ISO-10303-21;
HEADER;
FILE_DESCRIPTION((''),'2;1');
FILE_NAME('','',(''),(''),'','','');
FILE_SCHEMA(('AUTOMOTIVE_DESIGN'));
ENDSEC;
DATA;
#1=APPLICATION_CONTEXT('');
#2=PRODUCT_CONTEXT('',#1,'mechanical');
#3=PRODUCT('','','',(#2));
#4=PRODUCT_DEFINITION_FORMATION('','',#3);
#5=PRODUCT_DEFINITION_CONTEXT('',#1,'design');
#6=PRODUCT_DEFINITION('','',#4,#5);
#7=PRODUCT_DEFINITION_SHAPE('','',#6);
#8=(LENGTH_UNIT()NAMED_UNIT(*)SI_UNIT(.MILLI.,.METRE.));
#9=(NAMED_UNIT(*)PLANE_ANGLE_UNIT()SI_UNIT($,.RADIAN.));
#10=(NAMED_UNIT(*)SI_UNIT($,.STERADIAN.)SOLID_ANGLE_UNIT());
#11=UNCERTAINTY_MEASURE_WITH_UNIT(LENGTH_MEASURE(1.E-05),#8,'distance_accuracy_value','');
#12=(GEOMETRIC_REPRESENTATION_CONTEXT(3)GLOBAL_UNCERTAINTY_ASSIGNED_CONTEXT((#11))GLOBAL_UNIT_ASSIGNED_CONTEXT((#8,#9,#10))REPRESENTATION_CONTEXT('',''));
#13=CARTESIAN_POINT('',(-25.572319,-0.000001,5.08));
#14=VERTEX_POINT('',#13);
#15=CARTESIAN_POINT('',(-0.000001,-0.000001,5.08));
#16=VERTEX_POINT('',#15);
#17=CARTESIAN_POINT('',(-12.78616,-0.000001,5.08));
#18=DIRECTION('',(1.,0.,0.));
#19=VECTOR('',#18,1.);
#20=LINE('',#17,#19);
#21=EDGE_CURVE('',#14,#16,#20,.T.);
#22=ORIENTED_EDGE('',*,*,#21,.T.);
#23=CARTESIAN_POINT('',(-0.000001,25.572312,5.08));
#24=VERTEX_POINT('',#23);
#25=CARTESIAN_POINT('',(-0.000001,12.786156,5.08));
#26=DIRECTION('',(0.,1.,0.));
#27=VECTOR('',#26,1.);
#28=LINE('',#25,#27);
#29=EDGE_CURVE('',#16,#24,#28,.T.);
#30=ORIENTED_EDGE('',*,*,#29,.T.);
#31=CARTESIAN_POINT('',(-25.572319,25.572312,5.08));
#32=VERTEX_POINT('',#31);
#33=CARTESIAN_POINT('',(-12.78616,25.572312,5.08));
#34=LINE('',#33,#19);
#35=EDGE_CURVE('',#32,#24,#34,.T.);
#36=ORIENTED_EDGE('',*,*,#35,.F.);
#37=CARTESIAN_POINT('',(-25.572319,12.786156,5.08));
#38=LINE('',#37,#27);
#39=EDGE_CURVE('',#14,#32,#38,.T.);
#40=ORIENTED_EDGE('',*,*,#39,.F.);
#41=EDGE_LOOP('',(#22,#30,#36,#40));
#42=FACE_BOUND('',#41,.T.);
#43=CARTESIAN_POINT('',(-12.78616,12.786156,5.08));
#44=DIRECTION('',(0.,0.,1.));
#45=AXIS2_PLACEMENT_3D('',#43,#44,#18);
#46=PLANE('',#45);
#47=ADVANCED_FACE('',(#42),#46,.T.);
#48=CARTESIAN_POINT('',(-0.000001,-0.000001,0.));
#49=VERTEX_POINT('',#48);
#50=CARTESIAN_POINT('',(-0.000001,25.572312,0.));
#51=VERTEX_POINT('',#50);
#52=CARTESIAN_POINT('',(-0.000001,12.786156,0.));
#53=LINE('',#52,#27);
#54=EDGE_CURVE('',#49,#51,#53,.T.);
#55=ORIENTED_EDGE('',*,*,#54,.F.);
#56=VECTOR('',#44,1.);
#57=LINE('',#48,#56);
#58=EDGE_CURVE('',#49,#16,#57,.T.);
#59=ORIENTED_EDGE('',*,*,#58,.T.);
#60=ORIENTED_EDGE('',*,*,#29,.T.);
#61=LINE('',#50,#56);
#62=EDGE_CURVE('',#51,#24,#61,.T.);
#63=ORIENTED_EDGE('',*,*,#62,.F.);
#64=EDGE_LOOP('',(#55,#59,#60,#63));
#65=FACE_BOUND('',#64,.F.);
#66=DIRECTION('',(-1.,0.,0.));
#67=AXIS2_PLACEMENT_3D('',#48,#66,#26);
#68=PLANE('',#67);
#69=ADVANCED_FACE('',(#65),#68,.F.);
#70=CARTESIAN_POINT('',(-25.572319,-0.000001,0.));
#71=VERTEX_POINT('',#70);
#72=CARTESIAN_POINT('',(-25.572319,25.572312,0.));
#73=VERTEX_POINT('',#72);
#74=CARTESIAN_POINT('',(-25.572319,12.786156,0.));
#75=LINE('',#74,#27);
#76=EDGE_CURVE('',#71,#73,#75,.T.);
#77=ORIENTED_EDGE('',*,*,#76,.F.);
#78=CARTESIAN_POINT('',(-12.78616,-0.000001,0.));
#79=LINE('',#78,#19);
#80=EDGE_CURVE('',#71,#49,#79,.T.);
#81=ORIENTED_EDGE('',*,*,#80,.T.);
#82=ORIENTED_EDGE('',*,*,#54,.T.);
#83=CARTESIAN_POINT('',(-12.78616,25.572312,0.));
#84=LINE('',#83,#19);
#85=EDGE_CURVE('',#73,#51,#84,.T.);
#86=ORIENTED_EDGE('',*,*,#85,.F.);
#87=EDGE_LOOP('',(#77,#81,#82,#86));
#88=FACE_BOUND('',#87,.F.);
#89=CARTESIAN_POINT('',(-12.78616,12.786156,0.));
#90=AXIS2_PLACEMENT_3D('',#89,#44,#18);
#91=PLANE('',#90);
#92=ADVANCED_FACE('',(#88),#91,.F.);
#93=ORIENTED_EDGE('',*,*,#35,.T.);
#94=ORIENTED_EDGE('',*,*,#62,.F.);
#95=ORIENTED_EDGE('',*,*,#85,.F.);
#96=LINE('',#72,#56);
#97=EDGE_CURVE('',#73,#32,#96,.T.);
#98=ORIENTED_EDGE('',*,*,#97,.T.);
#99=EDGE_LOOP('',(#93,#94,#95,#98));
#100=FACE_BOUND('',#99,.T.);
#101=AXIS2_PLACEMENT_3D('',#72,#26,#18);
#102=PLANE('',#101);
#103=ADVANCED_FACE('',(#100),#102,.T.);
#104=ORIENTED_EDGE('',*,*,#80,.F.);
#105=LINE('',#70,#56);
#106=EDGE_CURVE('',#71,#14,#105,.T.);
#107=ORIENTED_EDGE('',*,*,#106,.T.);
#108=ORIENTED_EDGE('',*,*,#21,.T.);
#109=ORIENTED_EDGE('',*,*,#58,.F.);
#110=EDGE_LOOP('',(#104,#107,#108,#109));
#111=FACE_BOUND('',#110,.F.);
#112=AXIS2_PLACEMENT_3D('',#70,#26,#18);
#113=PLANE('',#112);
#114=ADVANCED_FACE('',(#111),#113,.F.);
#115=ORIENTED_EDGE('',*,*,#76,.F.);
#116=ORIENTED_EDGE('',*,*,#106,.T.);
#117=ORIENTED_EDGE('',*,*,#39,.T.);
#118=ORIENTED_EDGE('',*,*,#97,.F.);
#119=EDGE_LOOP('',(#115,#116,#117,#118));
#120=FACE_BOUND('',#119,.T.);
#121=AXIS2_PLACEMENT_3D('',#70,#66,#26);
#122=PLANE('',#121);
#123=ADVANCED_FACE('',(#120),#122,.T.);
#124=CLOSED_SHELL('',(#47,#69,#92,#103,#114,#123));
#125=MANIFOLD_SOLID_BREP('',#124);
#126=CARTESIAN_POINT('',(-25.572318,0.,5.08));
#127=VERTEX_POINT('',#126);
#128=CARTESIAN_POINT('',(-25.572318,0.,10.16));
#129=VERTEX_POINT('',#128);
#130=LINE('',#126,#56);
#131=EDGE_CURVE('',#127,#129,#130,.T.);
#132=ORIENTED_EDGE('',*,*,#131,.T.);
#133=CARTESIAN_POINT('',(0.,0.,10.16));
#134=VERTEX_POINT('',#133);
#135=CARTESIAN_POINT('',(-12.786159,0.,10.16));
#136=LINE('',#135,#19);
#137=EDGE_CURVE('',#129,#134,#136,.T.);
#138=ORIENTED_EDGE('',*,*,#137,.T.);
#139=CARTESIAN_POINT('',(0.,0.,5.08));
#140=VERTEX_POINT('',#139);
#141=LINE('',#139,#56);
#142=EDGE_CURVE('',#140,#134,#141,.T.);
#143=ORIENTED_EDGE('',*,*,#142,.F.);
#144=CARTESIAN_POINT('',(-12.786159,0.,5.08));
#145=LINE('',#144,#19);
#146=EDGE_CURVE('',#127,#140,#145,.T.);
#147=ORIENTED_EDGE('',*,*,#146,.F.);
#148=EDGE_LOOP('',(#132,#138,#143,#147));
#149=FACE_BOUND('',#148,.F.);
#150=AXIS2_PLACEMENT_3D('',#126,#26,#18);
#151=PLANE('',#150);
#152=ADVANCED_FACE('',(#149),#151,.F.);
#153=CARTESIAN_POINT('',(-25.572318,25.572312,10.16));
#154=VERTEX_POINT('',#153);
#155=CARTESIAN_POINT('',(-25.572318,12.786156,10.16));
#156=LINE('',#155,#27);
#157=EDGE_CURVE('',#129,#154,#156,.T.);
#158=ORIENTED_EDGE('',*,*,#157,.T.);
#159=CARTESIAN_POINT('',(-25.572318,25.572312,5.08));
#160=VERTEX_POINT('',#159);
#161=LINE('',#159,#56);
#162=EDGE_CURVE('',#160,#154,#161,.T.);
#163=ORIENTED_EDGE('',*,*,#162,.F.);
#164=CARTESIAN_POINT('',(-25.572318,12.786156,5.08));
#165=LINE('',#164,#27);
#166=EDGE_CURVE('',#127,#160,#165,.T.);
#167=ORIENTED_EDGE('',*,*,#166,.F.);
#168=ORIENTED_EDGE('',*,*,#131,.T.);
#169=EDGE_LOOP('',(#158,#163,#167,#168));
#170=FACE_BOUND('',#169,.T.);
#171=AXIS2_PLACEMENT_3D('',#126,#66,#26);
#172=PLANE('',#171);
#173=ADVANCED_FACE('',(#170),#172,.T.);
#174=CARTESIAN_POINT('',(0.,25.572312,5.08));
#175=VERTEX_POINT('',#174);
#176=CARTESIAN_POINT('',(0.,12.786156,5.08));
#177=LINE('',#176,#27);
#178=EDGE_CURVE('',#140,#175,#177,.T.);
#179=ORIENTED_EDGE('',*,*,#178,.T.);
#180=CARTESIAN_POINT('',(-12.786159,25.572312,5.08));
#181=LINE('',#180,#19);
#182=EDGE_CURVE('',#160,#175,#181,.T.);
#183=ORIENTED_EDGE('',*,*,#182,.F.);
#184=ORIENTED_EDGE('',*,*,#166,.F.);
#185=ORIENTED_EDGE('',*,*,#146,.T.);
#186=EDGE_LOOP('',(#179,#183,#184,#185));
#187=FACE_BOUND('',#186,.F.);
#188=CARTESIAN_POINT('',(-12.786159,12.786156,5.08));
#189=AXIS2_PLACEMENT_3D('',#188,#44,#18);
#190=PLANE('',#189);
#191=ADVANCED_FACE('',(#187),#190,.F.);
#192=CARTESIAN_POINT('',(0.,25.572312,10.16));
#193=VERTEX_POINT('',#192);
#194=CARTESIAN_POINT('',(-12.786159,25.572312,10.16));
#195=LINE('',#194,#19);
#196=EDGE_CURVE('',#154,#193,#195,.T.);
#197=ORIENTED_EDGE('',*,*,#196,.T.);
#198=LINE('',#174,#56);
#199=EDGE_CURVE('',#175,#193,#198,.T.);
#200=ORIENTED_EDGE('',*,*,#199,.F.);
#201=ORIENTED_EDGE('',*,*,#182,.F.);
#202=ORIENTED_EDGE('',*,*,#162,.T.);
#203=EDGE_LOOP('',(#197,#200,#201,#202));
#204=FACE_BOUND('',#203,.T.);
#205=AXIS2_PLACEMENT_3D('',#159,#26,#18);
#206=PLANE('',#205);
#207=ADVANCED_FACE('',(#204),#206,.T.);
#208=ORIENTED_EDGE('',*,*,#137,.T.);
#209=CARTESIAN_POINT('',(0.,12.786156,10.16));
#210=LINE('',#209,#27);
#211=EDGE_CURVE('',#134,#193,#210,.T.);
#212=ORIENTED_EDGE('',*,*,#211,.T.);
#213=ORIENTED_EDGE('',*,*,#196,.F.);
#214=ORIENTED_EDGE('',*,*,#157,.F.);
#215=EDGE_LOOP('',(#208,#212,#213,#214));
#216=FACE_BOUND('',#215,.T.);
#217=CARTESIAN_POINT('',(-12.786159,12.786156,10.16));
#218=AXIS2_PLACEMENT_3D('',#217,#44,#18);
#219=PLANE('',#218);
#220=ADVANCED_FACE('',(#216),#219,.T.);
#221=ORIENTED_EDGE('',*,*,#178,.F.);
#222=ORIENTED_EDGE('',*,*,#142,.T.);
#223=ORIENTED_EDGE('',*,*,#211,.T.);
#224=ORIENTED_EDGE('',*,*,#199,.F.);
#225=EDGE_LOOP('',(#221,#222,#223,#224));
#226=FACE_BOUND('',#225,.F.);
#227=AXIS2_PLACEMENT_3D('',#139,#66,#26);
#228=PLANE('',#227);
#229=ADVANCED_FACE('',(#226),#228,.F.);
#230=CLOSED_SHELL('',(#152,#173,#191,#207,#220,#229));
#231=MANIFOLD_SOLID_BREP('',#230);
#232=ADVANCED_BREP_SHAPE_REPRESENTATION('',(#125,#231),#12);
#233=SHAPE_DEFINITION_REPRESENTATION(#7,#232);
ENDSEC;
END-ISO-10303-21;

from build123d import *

# Parameters (mm, degrees)
F0_W      = 25.572319
F0_H      = 25.572313
F1_DEPTH  = 5.08
F1_FACE_W = 25.572318
F1_FACE_H = 25.572312
F2_DEPTH  = 5.08


with BuildPart() as f1:
    # F0 (on Top) → F1 (new body)
    with BuildSketch(Plane.XY):
        with Locations((-12.78616, 12.786156)):
            Rectangle(F0_W, F0_H)
    extrude(amount=F1_DEPTH)


with BuildPart() as f2:
    # F1_face (on face) → F2 (new body)
    with BuildSketch(Plane(origin=(-12.786159, 12.786156, 5.08), x_dir=(1, 0, 0), z_dir=(0, 0, 1))):
        Rectangle(F1_FACE_W, F1_FACE_H)
    extrude(amount=F2_DEPTH)


solid = Compound([f1.part, f2.part])
